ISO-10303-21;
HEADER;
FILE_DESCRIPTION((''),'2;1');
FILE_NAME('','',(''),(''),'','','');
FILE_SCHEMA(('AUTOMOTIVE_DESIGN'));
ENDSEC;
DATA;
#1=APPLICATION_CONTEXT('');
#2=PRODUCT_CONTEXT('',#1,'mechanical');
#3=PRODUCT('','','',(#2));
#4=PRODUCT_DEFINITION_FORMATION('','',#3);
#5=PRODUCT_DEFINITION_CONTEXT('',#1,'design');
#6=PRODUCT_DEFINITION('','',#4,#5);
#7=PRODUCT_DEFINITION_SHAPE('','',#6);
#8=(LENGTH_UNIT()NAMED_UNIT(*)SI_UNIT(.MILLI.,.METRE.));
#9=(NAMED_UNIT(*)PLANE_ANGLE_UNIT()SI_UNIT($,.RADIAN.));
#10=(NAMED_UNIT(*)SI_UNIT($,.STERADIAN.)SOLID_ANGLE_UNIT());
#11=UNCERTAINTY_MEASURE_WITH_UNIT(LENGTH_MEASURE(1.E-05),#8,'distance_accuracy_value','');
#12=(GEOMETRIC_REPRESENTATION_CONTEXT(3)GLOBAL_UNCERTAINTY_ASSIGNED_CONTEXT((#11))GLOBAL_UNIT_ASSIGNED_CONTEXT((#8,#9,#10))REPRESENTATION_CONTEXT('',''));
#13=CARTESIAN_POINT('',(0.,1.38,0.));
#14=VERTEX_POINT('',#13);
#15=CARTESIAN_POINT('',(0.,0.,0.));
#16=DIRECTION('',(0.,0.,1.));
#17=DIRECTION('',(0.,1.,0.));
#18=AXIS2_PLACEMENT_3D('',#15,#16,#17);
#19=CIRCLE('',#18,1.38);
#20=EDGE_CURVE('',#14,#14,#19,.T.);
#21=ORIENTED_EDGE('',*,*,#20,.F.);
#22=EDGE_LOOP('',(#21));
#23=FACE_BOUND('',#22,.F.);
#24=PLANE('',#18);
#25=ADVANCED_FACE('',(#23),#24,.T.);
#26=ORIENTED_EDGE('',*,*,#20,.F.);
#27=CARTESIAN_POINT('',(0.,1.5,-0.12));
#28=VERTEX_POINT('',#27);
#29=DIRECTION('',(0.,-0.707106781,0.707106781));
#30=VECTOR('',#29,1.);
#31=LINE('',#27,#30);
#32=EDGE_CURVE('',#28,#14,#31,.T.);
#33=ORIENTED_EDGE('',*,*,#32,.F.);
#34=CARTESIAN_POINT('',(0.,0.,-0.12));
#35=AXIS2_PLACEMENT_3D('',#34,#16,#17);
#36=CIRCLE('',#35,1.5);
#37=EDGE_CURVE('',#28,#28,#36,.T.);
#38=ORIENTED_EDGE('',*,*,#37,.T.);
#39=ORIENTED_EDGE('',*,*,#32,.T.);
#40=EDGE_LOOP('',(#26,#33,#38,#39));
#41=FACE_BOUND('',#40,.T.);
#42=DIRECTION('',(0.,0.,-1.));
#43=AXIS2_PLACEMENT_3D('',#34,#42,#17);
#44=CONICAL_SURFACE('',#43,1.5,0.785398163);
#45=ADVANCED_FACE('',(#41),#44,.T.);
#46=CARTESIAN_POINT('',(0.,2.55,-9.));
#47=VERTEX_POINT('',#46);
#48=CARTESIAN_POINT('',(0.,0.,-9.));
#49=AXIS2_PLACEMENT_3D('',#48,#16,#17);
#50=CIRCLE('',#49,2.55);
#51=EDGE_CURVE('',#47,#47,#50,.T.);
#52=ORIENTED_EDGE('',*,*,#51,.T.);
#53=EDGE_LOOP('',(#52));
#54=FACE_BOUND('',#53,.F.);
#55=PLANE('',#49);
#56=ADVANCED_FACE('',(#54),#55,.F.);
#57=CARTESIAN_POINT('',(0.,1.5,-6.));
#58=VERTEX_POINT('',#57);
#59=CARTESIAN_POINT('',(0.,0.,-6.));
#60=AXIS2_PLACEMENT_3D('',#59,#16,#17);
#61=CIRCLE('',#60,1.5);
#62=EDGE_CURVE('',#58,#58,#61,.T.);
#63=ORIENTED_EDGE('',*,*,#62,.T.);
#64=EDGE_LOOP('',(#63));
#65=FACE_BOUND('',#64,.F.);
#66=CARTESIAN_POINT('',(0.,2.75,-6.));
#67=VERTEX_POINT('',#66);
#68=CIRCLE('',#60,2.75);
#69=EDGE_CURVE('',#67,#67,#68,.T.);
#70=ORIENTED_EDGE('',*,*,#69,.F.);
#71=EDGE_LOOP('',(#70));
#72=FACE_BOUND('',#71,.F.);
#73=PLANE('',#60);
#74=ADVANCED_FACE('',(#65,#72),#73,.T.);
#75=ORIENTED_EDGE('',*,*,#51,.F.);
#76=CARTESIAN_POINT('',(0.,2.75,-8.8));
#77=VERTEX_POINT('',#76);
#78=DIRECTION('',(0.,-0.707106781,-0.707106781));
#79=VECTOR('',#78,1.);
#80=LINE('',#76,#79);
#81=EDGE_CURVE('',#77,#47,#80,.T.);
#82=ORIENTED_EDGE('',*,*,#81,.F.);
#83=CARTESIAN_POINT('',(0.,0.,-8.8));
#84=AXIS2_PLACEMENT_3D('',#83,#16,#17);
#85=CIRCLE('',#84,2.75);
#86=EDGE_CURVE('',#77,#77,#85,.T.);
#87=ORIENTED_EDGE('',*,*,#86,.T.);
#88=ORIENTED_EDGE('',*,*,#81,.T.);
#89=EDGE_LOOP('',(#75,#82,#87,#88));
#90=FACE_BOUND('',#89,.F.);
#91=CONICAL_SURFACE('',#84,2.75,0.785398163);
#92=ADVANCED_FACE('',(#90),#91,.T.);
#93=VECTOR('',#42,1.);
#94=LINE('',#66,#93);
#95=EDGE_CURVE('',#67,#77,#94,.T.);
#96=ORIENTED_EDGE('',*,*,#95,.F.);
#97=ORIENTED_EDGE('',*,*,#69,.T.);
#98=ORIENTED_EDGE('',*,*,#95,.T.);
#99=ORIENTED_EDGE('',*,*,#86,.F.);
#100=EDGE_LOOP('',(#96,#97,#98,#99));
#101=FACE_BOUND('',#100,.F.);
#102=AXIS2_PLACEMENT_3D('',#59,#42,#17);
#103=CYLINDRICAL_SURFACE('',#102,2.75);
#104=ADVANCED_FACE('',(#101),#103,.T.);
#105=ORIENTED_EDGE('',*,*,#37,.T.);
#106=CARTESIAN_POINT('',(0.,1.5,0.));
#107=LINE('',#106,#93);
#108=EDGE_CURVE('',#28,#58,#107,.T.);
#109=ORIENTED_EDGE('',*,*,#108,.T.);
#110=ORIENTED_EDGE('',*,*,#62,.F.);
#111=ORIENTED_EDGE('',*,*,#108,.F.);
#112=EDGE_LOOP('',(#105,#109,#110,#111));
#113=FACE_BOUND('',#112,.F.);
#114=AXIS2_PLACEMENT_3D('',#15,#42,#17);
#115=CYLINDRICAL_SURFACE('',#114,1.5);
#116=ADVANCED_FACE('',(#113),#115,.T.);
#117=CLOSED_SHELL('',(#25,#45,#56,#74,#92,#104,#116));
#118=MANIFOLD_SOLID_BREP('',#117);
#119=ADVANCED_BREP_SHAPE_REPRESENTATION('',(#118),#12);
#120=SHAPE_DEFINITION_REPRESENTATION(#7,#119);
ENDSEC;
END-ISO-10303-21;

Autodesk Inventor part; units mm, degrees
ref_plane "YZ Plane" through (0, 0, 0) normal (1, 0, 0) x (0, 1, 0)
ref_plane "XZ Plane" through (0, 0, 0) normal (0, 1, 0) x (-1, 0, 0)
ref_plane "XY Plane" through (0, 0, 0) normal (0, 0, 1) x (1, 0, 0)
sketch "スケッチ1" plane through (0, 0, 0) normal (1, 0, 0) x (0, 1, 0)
  line L0 (0, 0) -> (1.5, 0)
  line L1 (1.5, 0) -> (1.5, -6)
  line L2 (1.5, -6) -> (0, -6)
  line L3 (0, -6) -> (0, 0)
  line L4 (0, -6) -> (2.75, -6)
  line L5 (2.75, -6) -> (2.75, -9)
  line L6 (2.75, -9) -> (0, -9)
  line L7 (0, -9) -> (0, -6)
  line L8 (2.75, -8.8) -> (2.55, -9)
  line L9 (1.5, -0.12) -> (1.38, 0)
  point P0 (2.75, -7.5)
  dimension "d0" = 45
  dimension "d1" = 2.75
  dimension "d2" = 3
  dimension "d3" = 6
  dimension "d7" = 1.5
  dimension "d10" = 45
  dimension "d11" = 0.12
  dimension "d12" = 0.2
revolve "回転1" add sketch "スケッチ1" angle 360 about axis through (0, 0, -6) along (0, 0, 1) contours L0 L9 L1 L2 L3 | L2 L4 L5 L8 L6 L7
thread "ねじ2" size "M3x0.5" class "6g" standard "ANSI Metric M Profile" length 30
properties part number "M3_6mm" material "ステンレス鋼"
